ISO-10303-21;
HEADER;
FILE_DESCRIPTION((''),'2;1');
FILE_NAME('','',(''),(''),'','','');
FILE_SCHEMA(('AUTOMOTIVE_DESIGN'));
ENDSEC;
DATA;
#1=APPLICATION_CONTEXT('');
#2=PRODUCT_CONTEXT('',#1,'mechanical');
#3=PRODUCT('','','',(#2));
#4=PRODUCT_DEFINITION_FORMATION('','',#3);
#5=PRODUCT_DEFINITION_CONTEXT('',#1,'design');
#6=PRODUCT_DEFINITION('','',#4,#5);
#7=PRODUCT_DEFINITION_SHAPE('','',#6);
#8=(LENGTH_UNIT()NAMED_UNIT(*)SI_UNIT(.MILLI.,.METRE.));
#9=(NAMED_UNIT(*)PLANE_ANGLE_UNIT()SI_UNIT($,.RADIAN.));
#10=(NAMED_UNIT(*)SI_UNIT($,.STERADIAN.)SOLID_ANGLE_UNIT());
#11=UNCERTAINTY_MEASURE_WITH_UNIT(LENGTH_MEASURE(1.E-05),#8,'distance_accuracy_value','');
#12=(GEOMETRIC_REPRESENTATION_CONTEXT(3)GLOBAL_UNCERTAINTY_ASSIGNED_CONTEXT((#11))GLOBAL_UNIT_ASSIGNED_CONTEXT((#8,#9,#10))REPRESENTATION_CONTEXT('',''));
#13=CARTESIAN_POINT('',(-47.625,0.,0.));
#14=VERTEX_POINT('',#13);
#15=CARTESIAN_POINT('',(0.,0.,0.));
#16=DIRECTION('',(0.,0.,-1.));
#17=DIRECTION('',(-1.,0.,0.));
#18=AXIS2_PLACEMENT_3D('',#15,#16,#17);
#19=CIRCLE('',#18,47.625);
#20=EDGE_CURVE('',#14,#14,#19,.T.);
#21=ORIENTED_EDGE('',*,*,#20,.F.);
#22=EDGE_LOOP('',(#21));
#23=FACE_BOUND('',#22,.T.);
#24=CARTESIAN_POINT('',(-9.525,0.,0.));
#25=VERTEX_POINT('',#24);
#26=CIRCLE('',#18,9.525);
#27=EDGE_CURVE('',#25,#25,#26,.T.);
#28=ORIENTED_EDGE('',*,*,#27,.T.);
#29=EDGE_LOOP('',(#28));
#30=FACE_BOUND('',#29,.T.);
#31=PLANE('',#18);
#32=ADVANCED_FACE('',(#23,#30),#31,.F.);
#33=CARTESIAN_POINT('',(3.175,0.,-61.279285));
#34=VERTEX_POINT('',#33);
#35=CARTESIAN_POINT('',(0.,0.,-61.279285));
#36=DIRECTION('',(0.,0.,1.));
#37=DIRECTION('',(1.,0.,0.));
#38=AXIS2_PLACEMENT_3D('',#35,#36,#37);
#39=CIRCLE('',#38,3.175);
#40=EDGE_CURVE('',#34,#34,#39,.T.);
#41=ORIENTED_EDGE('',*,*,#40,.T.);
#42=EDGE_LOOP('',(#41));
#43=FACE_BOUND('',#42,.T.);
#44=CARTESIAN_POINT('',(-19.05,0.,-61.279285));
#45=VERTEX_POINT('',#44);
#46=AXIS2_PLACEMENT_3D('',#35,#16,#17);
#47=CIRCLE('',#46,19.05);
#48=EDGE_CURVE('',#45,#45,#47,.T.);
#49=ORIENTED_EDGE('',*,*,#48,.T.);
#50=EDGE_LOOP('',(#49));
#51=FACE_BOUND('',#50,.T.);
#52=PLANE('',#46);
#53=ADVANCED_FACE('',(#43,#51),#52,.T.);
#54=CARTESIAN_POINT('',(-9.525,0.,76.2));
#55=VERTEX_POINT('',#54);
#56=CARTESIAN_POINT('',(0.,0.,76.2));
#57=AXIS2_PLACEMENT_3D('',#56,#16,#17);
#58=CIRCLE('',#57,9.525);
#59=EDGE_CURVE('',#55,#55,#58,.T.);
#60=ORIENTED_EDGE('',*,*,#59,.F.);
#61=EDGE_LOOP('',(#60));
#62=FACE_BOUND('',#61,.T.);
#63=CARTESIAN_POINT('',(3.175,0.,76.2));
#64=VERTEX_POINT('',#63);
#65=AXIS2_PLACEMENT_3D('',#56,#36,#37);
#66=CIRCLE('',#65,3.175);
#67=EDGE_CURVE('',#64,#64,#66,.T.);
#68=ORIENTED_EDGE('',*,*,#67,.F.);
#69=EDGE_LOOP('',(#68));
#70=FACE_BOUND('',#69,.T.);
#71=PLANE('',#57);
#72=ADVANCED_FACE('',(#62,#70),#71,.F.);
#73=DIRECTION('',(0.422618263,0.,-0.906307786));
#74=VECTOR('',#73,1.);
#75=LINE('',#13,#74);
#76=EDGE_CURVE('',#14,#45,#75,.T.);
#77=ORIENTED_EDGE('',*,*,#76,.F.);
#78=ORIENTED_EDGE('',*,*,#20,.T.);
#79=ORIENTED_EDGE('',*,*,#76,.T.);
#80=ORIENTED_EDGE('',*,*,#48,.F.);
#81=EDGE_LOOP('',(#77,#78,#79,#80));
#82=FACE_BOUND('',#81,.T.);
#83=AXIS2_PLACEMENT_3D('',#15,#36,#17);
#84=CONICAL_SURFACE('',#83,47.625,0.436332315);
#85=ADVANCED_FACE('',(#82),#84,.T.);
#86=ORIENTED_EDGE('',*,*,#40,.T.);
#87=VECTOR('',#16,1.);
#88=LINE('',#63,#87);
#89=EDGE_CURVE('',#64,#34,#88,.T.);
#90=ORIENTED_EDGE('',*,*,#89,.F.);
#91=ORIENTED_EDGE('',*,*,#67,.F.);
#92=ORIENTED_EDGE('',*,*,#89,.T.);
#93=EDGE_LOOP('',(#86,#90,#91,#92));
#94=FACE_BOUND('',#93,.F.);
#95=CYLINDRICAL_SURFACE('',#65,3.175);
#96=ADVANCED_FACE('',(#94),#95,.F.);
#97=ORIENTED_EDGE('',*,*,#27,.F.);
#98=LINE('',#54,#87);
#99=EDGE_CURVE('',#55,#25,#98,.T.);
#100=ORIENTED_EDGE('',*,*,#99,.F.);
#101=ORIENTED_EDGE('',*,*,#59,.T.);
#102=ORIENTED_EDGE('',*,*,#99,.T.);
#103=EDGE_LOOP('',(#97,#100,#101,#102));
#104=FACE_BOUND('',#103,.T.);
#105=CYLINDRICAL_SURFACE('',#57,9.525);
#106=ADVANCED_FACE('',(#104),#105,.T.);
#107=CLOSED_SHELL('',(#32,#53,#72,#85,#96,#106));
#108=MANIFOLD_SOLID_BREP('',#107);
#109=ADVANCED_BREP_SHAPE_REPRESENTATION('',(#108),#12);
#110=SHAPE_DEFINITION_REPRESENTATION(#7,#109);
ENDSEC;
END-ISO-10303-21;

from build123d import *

# Parameters (mm, degrees)
F2_R     = 3.175
F3_DEPTH = 137.480285


with BuildPart() as f1:
    # F0 (on Front) → F1 (revolve)
    with BuildSketch(Plane.XZ):
        Polygon((-19.05, -61.279285), (0, -61.279285), (0, 76.2), (-9.525, 76.2), (-9.525, 0), (-47.625, 0), align=None)
    revolve(axis=Axis((0, 0, 7.460357), (0, 0, -1)))

    # F2 (on face) → F3 (cut, through all)
    with BuildSketch(Plane.XY.offset(76.2)):
        Circle(F2_R)
    extrude(amount=-F3_DEPTH, mode=Mode.SUBTRACT)


solid = f1.part
